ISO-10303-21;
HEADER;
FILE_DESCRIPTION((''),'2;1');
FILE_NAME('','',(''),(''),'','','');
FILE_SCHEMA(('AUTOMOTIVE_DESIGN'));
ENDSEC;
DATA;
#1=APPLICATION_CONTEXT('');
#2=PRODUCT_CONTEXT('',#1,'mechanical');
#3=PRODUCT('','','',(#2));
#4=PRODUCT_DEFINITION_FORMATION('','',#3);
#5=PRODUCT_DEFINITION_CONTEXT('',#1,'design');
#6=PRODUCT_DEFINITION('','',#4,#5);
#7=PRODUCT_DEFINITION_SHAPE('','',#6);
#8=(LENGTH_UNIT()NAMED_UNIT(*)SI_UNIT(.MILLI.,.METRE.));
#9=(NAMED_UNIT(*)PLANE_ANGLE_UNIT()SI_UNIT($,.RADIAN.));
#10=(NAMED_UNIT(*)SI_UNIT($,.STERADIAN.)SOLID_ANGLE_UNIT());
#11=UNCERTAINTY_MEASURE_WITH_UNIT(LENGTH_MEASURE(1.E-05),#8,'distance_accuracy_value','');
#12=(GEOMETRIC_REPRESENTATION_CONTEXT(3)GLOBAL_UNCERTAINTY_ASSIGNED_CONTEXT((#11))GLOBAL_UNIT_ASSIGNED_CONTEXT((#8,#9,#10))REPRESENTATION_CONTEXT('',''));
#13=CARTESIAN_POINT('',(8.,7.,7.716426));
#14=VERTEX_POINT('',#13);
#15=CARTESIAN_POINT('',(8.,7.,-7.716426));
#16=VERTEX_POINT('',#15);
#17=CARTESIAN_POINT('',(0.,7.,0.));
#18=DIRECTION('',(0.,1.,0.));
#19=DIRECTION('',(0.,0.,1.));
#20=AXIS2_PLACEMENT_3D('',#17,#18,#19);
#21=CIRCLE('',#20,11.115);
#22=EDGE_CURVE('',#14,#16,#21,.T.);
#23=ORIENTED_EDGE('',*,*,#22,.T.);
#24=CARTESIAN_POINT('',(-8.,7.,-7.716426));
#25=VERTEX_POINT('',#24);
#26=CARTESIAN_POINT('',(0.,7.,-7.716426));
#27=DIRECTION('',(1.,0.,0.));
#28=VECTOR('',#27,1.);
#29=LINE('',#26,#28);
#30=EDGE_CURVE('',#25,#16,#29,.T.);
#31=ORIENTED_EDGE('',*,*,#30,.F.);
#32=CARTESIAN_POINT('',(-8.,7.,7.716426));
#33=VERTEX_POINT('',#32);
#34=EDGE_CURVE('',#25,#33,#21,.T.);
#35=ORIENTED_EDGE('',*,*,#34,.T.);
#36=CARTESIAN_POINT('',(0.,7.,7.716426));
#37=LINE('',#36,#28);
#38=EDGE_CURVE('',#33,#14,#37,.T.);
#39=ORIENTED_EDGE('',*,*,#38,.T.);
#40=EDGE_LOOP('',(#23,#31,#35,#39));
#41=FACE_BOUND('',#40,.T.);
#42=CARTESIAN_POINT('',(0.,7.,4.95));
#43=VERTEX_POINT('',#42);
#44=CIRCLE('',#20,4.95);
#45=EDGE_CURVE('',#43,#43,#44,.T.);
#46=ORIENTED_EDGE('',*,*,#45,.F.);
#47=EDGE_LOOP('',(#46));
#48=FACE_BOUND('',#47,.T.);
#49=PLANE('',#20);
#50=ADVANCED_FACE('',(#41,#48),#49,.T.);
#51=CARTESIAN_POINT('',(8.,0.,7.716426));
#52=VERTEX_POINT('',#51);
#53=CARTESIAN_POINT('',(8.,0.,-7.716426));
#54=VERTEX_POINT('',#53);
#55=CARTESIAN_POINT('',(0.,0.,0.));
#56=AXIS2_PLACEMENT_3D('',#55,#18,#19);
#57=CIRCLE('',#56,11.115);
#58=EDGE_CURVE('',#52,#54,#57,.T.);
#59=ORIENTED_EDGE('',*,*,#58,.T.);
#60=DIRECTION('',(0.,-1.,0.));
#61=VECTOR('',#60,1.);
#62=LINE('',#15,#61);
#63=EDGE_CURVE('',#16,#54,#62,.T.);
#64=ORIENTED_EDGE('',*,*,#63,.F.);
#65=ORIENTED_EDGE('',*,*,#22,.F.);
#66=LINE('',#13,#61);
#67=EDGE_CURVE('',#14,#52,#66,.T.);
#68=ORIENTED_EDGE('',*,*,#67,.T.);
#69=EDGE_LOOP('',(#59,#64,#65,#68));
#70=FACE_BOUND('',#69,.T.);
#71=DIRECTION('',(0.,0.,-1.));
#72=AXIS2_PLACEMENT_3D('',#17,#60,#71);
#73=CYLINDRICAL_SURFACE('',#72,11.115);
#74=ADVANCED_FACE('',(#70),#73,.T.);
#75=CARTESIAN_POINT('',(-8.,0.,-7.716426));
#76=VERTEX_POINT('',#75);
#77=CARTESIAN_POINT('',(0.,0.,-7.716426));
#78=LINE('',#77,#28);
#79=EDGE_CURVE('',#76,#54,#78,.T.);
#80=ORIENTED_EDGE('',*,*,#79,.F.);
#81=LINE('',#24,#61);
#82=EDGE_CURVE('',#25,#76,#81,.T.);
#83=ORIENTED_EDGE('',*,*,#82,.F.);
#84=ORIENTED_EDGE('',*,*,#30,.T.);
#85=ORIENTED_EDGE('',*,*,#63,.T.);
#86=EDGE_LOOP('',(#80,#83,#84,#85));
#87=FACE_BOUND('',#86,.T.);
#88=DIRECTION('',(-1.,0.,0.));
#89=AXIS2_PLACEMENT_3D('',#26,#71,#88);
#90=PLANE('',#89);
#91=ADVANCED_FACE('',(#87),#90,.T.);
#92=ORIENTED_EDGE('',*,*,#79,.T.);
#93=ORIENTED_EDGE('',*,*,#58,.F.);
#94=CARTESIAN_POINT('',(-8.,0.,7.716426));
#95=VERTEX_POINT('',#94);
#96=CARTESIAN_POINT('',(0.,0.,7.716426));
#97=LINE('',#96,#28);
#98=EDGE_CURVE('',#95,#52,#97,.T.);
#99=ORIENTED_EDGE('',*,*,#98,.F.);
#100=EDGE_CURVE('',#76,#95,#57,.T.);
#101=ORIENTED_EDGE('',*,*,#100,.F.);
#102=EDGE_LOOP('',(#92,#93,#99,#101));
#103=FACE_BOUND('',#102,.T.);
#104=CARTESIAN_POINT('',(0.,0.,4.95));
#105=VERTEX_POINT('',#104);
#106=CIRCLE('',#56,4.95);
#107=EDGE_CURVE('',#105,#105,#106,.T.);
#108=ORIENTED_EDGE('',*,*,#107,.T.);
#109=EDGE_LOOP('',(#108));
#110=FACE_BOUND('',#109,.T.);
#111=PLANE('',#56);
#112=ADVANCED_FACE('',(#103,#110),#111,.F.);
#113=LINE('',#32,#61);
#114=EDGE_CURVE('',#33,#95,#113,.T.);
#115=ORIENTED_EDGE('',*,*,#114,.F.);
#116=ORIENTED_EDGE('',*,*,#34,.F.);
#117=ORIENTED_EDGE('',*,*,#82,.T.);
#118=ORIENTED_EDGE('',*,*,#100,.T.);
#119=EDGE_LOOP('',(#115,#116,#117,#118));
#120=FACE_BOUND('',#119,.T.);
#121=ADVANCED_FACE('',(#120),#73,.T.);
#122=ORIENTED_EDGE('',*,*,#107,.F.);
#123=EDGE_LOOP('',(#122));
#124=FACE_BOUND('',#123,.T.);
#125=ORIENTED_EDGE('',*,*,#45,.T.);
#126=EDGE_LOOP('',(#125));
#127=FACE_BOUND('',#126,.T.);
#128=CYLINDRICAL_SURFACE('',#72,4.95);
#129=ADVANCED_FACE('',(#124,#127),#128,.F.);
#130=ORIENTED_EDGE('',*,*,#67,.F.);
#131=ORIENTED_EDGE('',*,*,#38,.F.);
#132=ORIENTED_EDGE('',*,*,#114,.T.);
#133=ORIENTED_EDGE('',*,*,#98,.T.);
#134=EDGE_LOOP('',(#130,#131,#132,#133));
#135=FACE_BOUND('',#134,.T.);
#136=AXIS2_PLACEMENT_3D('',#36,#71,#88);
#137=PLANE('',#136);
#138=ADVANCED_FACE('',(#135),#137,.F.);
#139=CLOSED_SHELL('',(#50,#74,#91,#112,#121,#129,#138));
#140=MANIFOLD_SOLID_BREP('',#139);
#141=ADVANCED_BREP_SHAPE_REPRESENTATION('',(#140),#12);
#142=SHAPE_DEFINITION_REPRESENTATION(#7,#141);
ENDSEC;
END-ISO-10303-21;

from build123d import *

# Parameters (mm, degrees)
SKETCH1_R           = 4.95
BOSS_EXTRUDE2_DEPTH = 7


with BuildPart() as part:
    # Sketch1 → Boss-Extrude2 (new body)
    with BuildSketch(Plane(origin=(0, 0, 0), x_dir=(1, 0, 0), z_dir=(0, 1, 0))):
        with BuildLine():
            ThreePointArc((-8, 7.716425662), (-11.115, 0), (-8, -7.716425662))
            Line((-8, -7.716425662), (8, -7.716425662))
            ThreePointArc((8, -7.716425662), (11.115, 0), (8, 7.716425662))
            Line((8, 7.716425662), (-8, 7.716425662))
        make_face()
        with Locations(Location((0, 0, 0), (0, 0, 270))):
            Circle(SKETCH1_R, mode=Mode.SUBTRACT)
    extrude(amount=BOSS_EXTRUDE2_DEPTH)


solid = part.part
